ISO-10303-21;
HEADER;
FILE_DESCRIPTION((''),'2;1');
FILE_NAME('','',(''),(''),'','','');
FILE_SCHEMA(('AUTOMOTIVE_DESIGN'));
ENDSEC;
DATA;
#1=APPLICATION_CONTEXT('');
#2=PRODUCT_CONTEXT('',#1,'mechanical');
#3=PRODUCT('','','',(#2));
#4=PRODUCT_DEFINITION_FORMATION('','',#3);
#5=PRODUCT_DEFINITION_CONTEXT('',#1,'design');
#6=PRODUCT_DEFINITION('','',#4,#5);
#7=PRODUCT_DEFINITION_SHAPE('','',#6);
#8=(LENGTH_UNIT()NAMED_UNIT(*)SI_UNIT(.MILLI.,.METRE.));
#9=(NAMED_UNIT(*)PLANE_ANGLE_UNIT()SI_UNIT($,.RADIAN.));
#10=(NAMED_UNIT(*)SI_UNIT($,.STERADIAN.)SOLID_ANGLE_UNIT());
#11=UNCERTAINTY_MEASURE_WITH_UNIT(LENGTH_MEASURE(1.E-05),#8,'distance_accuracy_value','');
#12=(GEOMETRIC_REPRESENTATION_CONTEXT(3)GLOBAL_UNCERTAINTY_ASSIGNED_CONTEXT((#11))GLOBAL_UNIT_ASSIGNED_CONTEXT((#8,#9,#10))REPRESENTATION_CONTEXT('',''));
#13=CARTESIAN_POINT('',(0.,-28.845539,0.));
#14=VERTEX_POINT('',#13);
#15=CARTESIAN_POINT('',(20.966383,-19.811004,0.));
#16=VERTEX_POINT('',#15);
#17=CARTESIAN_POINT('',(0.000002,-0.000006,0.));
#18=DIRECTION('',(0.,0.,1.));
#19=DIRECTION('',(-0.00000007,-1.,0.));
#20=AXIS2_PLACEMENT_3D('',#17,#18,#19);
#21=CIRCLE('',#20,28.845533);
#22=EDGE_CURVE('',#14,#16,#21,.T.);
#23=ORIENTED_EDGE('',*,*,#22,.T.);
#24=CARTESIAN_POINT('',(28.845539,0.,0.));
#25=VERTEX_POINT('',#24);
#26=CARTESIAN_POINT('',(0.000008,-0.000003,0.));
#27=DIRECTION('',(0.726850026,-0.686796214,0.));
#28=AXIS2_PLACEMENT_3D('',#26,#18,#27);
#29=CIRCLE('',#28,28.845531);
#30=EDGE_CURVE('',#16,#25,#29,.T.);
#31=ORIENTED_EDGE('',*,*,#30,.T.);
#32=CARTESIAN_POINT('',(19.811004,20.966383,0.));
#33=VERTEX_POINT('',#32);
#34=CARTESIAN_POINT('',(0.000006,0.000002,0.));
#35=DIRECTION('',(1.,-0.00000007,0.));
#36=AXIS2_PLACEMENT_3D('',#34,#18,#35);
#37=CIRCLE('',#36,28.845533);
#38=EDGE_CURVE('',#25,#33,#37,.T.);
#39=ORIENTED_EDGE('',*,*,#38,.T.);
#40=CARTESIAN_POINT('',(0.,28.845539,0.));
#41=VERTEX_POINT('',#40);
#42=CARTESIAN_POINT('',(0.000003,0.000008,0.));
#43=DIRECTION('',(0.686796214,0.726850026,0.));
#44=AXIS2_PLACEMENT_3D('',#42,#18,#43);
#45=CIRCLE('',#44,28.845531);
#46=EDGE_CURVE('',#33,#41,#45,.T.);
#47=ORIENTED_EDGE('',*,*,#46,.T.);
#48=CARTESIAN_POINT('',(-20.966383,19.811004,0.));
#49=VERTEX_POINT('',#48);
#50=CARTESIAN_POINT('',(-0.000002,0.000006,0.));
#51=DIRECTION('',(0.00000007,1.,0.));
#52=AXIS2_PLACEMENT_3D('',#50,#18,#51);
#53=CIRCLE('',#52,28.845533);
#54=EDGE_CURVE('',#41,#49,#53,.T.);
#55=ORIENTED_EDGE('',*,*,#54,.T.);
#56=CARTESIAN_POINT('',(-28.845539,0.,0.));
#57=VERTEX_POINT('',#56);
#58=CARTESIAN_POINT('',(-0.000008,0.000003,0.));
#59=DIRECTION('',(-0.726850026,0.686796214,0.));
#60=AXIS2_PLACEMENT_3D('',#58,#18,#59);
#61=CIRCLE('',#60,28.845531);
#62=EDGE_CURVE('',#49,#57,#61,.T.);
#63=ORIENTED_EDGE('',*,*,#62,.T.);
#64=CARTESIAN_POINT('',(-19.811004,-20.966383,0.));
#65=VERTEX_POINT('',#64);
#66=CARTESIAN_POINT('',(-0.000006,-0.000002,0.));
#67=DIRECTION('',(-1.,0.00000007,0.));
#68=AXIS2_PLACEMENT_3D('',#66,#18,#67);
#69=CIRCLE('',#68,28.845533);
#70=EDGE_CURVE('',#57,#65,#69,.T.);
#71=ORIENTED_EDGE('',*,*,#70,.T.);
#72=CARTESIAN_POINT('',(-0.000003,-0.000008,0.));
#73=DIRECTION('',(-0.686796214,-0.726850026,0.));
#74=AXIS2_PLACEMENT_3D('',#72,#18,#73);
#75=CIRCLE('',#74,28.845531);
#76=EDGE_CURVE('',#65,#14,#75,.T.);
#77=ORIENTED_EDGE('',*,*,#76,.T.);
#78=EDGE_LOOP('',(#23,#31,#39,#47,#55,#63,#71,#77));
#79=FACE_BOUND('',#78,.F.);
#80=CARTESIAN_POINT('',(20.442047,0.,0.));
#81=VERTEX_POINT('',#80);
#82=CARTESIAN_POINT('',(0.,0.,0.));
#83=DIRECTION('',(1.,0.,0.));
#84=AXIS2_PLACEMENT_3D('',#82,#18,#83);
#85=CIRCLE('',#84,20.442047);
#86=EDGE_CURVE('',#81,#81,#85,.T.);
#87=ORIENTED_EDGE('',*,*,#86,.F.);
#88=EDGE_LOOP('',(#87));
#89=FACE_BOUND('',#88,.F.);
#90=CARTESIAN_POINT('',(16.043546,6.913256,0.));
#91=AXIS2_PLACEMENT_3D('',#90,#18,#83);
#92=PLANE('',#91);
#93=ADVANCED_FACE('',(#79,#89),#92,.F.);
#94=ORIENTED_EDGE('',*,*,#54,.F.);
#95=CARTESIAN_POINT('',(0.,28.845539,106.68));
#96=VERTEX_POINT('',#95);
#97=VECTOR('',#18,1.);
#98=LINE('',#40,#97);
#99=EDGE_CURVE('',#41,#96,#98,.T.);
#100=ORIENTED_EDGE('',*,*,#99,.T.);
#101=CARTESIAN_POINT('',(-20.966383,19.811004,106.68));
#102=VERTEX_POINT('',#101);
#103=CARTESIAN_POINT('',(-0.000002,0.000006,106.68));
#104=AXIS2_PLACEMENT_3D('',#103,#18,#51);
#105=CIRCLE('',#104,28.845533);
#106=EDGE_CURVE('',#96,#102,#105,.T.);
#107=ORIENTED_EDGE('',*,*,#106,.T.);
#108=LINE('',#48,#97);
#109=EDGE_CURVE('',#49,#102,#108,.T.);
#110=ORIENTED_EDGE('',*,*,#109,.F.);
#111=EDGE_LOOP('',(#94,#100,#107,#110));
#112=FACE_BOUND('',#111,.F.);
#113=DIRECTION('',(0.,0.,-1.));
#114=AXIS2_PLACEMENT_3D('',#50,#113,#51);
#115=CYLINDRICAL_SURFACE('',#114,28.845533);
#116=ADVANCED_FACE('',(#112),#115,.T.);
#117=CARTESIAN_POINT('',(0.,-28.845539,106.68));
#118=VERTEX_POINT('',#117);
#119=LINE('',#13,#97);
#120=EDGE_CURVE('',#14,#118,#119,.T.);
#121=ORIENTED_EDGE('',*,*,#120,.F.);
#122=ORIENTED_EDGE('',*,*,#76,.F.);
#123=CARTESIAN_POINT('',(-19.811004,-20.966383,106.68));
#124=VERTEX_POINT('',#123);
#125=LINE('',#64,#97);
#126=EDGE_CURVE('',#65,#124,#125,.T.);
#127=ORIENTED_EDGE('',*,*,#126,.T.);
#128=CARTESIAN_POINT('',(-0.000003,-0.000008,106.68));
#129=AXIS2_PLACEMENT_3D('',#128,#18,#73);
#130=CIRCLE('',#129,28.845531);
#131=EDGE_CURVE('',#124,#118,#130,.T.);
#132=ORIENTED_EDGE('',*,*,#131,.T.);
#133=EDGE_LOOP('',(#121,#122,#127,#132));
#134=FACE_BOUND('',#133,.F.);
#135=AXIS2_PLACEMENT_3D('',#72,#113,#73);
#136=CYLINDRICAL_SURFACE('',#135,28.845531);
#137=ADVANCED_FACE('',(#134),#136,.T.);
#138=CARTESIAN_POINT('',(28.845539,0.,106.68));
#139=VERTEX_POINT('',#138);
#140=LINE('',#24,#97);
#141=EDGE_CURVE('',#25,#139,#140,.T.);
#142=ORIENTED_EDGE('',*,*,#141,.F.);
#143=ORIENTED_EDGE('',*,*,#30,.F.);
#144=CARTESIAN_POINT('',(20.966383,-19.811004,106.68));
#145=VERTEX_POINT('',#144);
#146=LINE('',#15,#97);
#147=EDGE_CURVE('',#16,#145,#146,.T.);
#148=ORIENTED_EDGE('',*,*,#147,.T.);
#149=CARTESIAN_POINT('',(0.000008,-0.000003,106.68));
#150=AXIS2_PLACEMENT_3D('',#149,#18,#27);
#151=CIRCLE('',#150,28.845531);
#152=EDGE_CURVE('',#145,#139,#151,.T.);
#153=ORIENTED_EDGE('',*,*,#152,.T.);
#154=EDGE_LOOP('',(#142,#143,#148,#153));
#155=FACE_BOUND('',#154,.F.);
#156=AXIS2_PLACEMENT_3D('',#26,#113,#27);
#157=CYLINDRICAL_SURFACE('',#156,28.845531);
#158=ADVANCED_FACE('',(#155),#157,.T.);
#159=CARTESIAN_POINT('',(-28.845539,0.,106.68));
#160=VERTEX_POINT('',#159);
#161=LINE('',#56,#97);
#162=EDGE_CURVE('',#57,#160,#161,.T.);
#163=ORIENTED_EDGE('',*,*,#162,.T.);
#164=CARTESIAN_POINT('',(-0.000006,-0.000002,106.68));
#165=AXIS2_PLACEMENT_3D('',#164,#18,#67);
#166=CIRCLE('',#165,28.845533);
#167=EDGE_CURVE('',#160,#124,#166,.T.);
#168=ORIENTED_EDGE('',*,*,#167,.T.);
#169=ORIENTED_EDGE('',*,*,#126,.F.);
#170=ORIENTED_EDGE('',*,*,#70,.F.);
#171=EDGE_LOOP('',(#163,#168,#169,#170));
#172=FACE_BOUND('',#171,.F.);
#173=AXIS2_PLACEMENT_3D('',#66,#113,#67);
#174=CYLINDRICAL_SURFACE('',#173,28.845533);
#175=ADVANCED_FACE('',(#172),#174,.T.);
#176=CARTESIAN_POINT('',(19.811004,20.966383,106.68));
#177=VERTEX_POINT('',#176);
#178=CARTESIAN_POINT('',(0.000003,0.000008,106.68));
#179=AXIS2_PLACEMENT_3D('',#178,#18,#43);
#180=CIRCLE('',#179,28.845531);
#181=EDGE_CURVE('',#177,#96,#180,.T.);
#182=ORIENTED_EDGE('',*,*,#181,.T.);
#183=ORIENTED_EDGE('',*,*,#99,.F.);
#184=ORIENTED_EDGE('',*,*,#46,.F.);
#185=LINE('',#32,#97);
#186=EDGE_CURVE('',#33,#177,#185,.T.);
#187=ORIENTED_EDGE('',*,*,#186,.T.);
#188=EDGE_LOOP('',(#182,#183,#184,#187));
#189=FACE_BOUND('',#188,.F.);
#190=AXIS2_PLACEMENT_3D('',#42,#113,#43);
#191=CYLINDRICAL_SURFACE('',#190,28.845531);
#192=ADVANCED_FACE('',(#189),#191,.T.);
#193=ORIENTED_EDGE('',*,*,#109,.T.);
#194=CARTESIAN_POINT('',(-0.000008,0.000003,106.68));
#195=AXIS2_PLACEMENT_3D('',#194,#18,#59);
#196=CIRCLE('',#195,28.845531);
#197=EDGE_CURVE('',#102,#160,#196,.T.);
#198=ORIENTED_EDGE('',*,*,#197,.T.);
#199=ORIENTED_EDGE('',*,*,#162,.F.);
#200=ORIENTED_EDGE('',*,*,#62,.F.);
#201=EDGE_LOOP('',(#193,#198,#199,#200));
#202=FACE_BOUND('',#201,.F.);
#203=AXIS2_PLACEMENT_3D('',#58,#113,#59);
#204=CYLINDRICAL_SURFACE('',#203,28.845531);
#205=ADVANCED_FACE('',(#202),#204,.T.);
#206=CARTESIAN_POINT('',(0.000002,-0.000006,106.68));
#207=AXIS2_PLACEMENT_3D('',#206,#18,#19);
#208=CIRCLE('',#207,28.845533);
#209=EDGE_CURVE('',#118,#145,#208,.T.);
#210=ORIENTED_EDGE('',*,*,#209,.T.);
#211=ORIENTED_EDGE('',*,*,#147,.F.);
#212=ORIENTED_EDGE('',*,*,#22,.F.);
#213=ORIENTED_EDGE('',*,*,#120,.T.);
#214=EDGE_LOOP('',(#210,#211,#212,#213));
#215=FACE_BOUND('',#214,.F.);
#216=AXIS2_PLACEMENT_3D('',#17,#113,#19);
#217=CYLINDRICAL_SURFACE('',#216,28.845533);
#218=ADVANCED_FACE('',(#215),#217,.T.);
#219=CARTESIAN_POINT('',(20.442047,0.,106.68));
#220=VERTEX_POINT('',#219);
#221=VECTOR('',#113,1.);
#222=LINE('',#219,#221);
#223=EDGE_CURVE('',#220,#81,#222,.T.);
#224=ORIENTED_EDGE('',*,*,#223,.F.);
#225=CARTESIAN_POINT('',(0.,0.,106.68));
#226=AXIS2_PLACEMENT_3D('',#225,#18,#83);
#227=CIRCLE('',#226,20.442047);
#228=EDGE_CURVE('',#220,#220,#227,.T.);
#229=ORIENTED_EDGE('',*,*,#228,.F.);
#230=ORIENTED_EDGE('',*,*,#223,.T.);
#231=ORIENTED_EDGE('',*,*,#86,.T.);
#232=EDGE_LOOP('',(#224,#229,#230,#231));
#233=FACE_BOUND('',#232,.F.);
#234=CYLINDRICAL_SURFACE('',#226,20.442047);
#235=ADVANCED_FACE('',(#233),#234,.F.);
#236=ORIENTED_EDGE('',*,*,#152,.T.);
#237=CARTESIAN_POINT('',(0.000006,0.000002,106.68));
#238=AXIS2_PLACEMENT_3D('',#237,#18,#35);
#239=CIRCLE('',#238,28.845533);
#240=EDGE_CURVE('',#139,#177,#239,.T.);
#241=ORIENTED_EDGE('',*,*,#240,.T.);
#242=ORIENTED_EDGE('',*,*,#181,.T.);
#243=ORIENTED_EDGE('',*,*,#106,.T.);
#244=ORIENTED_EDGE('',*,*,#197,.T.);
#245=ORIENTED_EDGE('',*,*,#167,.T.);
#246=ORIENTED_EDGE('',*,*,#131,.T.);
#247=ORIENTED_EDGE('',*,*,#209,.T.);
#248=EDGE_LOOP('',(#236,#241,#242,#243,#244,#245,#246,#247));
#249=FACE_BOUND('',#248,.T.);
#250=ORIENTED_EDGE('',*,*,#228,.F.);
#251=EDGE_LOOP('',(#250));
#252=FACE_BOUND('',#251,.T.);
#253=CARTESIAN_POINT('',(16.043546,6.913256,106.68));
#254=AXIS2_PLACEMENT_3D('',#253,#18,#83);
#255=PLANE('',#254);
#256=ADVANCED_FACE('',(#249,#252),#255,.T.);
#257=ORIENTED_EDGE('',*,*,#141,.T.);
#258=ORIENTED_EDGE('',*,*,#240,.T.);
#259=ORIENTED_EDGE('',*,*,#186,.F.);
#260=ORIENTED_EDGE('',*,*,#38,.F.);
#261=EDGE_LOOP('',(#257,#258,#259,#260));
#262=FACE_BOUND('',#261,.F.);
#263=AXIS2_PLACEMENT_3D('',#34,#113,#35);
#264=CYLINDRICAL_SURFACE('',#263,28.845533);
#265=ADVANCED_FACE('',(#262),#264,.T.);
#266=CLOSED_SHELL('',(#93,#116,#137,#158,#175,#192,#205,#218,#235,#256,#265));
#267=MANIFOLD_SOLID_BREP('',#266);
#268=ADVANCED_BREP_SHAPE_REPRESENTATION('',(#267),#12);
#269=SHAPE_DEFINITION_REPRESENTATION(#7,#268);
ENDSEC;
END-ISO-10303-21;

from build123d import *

# Parameters (mm, degrees)
F1_DEPTH = 106.68
F2_R     = 20.442047
F3_DEPTH = 151.13


with BuildPart() as f1:
    # F0 (on Top) → F1 (new body)
    with BuildSketch(Plane.XY):
        with BuildLine():
            Line((0, 0), (28.845539, 0))
            ThreePointArc((28.845539, 0), (26.490793, 11.415035), (19.811004, 20.966383))
            Line((19.811004, 20.966383), (0, 0))
        make_face()
        with BuildLine():
            ThreePointArc((20.966383, -19.811004), (26.803468, -10.660171), (28.845539, 0))
            Line((28.845539, 0), (0, 0))
            Line((0, 0), (20.966383, -19.811004))
        make_face()
        with BuildLine():
            Line((0, 0), (19.811004, 20.966383))
            ThreePointArc((19.811004, 20.966383), (10.660171, 26.803468), (0, 28.845539))
            Line((0, 28.845539), (0, 0))
        make_face()
        with BuildLine():
            ThreePointArc((0, -28.845539), (11.415035, -26.490793), (20.966383, -19.811004))
            Line((20.966383, -19.811004), (0, 0))
            Line((0, 0), (0, -28.845539))
        make_face()
        with BuildLine():
            Line((-19.811004, -20.966383), (0, 0))
            Line((0, 0), (-28.845539, 0))
            ThreePointArc((-28.845539, 0), (-26.490793, -11.415035), (-19.811004, -20.966383))
        make_face()
        with BuildLine():
            Line((-20.966383, 19.811004), (0, 0))
            Line((0, 0), (0, 28.845539))
            ThreePointArc((0, 28.845539), (-11.415035, 26.490793), (-20.966383, 19.811004))
        make_face()
        with BuildLine():
            Line((-28.845539, 0), (0, 0))
            Line((0, 0), (-20.966383, 19.811004))
            ThreePointArc((-20.966383, 19.811004), (-26.803468, 10.660171), (-28.845539, 0))
        make_face()
        with BuildLine():
            Line((0, -28.845539), (0, 0))
            Line((0, 0), (-19.811004, -20.966383))
            ThreePointArc((-19.811004, -20.966383), (-10.660171, -26.803468), (0, -28.845539))
        make_face()
    extrude(amount=F1_DEPTH)

    # F2 (on face) → F3 (cut)
    with BuildSketch(Plane.XY.offset(106.68)):
        Circle(F2_R)
    extrude(amount=-F3_DEPTH, mode=Mode.SUBTRACT)


solid = f1.part
